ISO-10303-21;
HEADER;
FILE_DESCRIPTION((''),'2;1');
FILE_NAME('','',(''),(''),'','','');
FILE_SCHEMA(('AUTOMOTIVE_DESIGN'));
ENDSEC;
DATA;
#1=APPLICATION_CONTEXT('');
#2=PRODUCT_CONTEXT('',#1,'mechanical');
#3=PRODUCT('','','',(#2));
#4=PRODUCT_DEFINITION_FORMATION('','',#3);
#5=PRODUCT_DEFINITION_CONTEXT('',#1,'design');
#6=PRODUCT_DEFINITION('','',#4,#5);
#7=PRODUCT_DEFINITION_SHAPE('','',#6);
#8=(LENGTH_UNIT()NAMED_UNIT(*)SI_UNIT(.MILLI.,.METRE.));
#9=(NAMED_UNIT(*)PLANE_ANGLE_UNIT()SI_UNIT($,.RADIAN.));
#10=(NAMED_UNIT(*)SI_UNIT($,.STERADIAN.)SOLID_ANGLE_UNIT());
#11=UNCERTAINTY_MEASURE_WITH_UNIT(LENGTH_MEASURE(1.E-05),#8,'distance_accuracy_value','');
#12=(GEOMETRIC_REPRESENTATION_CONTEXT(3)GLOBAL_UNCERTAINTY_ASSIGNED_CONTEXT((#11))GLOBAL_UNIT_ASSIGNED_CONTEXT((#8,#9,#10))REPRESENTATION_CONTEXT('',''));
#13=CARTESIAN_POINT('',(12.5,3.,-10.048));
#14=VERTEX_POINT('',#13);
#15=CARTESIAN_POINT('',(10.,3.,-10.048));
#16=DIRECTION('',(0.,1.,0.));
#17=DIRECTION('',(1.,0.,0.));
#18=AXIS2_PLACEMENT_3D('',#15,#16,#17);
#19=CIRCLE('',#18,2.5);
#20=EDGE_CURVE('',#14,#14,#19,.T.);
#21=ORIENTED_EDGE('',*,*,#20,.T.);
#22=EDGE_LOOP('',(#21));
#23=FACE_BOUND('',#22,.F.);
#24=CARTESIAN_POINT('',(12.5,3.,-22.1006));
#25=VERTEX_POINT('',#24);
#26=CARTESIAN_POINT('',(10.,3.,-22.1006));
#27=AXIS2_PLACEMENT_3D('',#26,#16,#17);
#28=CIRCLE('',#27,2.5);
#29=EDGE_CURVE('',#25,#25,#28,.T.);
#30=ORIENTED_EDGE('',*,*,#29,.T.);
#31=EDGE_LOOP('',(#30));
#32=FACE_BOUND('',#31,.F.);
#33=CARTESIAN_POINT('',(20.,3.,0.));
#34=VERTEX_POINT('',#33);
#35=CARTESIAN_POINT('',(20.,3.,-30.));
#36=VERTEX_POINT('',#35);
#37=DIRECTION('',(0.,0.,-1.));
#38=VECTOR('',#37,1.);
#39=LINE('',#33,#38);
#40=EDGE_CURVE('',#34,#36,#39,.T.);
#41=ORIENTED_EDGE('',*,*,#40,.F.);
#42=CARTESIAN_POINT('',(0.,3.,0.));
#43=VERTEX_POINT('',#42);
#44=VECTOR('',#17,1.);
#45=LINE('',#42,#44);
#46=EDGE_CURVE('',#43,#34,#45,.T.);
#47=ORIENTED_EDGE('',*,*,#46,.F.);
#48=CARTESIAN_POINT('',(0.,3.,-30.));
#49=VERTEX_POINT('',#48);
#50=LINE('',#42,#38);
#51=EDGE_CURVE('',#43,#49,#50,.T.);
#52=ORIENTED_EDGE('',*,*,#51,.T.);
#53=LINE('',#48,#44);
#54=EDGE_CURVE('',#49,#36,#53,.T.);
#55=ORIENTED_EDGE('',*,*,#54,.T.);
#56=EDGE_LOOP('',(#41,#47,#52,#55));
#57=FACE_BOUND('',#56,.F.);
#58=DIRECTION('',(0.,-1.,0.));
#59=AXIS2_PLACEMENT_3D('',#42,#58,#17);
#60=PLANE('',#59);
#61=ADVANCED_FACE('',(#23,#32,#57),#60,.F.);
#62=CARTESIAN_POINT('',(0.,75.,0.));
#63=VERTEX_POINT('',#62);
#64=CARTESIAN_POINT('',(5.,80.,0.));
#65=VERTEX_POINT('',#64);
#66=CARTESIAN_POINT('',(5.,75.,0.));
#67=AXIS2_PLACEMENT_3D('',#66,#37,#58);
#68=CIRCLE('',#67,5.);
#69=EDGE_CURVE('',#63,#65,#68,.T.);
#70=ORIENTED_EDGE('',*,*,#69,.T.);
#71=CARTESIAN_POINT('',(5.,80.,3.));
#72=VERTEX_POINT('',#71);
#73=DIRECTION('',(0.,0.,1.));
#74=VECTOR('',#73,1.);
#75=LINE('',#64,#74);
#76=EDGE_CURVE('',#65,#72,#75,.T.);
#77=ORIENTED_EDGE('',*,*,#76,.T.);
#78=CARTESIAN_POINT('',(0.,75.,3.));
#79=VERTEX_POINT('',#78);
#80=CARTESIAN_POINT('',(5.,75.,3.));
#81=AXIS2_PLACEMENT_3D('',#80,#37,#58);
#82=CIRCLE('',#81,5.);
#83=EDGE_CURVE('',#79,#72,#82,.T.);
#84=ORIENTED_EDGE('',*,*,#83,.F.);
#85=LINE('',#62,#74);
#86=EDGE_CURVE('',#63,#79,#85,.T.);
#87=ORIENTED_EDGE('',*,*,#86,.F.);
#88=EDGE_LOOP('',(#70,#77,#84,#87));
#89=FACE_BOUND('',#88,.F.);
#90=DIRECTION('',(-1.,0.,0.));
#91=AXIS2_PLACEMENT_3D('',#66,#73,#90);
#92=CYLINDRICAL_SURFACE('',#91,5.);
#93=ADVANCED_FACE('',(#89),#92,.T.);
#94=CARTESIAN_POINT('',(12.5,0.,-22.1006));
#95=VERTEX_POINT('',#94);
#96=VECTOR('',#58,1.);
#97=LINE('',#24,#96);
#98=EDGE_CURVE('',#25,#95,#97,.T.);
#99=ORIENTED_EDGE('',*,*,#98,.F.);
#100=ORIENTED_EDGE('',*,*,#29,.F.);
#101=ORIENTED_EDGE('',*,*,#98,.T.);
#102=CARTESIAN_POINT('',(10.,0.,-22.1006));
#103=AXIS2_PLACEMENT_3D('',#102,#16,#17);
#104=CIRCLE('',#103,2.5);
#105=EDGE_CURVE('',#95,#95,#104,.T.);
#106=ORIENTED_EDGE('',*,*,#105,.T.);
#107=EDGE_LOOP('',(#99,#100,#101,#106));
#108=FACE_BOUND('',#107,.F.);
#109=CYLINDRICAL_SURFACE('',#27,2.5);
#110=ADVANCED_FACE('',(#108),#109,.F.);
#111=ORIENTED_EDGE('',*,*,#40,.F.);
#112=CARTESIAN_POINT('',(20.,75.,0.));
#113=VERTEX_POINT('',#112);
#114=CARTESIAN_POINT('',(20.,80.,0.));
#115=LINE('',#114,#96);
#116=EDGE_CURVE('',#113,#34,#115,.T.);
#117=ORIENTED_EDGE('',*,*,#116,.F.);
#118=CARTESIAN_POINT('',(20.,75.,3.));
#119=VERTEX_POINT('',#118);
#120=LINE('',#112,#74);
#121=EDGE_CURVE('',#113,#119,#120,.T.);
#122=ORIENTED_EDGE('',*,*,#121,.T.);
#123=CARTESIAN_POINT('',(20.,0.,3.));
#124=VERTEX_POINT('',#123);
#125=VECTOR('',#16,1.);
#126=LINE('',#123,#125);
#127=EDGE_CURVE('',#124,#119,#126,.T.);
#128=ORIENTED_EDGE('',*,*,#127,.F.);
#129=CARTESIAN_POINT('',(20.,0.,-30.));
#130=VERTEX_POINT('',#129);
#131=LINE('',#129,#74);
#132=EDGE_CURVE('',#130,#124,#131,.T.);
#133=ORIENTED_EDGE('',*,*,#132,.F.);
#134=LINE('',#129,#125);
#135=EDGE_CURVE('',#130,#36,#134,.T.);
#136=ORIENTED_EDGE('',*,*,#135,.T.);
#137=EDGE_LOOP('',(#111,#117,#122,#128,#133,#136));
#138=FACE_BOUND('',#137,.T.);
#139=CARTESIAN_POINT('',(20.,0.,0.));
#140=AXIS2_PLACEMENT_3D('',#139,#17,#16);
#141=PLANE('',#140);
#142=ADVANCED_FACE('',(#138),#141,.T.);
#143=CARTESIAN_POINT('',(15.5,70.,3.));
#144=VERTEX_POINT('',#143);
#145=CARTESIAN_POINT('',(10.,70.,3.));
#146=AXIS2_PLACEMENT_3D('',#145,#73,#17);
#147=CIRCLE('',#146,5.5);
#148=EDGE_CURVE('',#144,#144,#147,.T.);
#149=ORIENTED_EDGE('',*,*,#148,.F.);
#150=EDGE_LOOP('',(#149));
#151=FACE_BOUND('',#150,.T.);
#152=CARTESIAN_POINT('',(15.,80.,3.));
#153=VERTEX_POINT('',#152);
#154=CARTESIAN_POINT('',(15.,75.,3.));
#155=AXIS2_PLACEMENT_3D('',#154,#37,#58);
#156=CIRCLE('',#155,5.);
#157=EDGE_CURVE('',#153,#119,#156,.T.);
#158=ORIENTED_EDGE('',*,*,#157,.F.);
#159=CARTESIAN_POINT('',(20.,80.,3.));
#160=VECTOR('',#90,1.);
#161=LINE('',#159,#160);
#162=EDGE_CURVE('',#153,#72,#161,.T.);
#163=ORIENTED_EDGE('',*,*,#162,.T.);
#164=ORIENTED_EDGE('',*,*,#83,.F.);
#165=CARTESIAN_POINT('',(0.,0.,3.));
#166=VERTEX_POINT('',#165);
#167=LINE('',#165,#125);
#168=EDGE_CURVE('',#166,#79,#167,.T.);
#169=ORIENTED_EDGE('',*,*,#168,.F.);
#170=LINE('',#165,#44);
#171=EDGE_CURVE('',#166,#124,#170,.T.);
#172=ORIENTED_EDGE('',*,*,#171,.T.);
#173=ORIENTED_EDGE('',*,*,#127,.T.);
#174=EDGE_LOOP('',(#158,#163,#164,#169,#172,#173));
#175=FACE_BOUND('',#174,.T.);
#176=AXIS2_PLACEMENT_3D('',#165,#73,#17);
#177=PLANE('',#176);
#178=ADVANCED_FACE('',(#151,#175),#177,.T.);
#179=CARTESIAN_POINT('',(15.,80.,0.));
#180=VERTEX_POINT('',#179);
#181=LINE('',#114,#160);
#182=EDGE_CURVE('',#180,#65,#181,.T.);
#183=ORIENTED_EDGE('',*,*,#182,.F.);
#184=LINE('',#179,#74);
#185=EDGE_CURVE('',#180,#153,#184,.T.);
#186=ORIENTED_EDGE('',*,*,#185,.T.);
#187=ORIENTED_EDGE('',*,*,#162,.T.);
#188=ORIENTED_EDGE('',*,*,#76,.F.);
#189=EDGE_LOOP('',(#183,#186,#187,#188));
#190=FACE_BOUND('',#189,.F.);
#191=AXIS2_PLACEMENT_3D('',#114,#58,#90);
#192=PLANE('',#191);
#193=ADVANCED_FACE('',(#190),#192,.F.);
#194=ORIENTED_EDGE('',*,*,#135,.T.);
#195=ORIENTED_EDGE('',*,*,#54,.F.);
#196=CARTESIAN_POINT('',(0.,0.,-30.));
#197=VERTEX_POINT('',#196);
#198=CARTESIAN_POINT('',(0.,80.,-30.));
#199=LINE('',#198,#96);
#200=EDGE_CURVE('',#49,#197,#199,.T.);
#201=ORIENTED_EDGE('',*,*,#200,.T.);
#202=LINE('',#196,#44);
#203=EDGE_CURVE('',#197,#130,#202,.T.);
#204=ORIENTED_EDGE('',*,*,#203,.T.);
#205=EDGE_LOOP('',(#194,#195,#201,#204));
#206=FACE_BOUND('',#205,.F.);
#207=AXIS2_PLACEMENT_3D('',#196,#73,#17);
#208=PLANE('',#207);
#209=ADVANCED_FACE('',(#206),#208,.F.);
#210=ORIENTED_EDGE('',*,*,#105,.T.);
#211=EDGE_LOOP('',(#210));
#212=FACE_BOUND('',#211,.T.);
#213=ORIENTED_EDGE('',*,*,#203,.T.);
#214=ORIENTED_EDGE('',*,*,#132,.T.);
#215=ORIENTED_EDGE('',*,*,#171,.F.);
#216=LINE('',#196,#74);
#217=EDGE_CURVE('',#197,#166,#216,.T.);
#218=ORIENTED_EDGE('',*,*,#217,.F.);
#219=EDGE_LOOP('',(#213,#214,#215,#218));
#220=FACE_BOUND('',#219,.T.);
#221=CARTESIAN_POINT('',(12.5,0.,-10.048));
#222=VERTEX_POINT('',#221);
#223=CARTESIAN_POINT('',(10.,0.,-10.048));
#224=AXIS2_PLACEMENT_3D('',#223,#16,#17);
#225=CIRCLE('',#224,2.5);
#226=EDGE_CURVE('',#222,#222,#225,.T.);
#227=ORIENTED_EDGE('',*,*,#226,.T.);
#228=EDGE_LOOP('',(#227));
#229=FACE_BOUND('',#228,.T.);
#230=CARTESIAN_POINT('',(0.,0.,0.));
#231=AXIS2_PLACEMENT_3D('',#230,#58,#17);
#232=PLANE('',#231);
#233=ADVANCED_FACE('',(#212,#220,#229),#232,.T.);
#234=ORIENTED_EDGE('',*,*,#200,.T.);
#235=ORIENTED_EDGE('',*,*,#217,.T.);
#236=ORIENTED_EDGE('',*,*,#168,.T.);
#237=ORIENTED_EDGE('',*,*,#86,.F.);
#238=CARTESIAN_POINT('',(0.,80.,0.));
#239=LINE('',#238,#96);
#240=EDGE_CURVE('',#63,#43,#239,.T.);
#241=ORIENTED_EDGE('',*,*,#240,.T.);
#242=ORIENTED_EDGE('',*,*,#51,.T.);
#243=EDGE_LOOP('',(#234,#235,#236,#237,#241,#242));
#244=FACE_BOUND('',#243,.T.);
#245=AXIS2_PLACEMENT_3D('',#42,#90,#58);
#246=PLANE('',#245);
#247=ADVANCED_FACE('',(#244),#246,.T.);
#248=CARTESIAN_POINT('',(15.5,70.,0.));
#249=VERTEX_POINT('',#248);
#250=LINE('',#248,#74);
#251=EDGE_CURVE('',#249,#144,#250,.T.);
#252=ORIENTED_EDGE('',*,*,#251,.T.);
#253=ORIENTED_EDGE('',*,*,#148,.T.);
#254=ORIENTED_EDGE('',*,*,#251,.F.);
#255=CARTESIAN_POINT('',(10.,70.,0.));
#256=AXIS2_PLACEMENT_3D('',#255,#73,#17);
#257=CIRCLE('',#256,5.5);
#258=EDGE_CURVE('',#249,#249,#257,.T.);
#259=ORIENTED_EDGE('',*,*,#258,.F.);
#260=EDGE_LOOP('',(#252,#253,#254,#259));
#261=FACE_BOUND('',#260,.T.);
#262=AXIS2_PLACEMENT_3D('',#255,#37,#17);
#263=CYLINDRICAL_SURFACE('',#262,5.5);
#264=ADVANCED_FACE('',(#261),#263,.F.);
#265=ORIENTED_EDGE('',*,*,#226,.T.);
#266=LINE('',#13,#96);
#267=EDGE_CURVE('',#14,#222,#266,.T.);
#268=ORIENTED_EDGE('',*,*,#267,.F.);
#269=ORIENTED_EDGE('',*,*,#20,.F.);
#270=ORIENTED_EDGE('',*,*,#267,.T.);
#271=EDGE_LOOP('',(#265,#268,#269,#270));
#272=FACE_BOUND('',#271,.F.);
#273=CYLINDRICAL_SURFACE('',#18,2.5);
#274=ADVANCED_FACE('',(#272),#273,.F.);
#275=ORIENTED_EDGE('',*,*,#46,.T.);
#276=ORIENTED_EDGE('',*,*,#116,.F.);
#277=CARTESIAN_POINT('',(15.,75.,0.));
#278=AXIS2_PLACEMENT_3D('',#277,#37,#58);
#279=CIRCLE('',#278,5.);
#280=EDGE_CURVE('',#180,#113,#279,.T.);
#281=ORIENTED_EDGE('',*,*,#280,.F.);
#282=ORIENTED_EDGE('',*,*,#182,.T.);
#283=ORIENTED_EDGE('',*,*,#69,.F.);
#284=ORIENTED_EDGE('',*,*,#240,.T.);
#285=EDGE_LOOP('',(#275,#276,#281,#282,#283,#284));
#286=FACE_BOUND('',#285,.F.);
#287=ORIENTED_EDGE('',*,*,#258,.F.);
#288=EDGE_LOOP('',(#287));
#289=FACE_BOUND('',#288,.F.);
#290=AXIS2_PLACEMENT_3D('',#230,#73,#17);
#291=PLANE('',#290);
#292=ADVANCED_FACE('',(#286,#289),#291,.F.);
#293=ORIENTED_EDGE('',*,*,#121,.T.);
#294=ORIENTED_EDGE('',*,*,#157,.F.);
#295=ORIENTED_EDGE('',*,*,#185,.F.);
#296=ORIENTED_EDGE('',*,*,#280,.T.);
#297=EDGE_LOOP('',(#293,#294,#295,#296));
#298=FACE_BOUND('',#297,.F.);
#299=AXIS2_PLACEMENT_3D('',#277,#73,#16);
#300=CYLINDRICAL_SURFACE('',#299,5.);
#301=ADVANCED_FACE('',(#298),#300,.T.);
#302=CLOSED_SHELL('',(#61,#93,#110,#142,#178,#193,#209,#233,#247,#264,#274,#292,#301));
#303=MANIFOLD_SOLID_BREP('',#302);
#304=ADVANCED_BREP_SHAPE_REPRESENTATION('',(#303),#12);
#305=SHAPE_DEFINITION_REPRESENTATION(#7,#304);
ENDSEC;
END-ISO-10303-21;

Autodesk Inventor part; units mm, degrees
ref_plane "YZ Plane" through (0, 0, 0) normal (1, 0, 0) x (0, 1, 0)
ref_plane "XZ Plane" through (0, 0, 0) normal (0, 1, 0) x (-1, 0, 0)
ref_plane "XY Plane" through (0, 0, 0) normal (0, 0, 1) x (1, 0, 0)
sketch "Sketch1" plane through (0, 0, 0) normal (0, 0, 1) x (1, 0, 0)
  line L0 (0, 0) -> (20, 0)
  line L1 (20, 0) -> (20, 80)
  line L2 (20, 80) -> (0, 80)
  line L3 (0, 80) -> (0, 0)
  circle A0 centre (10, 70) radius 5.5
  line L4 (20, 0) -> (0, 0)
  line L5 (0, 0) -> (0, 3)
  line L6 (0, 3) -> (20, 3)
  line L7 (20, 3) -> (20, 0)
  point P0 (10, 0)
  dimension "d0" = 20
  dimension "d1" = 80
  dimension "d2" = 11
  dimension "d3" = 70
  dimension "d7" = 3
extrude "Extrusion1" add sketch "Sketch1" along normal blind 3
fillet "Fillet1" radius 5 2 edges at (20, 80, 1.5) (0, 80, 1.5)
extrude "Extrusion2" add sketch "Sketch1" against normal blind 30 contours L3 L6 L1 L0
sketch "Sketch2" plane through (0, 3, 0) normal (0, 1, 0) x (1, 0, 0)
  circle A0 centre (10, 22.1006) radius 2.5
  circle A1 centre (10, 10.048) radius 2.5
  point P0 (0, 0)
  dimension "d10" = 5
  dimension "d11" = 5
extrude "Extrusion3" cut sketch "Sketch2" against normal through all
extrude "Extrusion4" cut sketch "Sketch1" along normal blind 10 contours A0
extrude "Extrusion5" cut sketch "Sketch1" along normal blind 10 contours A0
properties part number "roll stand"
